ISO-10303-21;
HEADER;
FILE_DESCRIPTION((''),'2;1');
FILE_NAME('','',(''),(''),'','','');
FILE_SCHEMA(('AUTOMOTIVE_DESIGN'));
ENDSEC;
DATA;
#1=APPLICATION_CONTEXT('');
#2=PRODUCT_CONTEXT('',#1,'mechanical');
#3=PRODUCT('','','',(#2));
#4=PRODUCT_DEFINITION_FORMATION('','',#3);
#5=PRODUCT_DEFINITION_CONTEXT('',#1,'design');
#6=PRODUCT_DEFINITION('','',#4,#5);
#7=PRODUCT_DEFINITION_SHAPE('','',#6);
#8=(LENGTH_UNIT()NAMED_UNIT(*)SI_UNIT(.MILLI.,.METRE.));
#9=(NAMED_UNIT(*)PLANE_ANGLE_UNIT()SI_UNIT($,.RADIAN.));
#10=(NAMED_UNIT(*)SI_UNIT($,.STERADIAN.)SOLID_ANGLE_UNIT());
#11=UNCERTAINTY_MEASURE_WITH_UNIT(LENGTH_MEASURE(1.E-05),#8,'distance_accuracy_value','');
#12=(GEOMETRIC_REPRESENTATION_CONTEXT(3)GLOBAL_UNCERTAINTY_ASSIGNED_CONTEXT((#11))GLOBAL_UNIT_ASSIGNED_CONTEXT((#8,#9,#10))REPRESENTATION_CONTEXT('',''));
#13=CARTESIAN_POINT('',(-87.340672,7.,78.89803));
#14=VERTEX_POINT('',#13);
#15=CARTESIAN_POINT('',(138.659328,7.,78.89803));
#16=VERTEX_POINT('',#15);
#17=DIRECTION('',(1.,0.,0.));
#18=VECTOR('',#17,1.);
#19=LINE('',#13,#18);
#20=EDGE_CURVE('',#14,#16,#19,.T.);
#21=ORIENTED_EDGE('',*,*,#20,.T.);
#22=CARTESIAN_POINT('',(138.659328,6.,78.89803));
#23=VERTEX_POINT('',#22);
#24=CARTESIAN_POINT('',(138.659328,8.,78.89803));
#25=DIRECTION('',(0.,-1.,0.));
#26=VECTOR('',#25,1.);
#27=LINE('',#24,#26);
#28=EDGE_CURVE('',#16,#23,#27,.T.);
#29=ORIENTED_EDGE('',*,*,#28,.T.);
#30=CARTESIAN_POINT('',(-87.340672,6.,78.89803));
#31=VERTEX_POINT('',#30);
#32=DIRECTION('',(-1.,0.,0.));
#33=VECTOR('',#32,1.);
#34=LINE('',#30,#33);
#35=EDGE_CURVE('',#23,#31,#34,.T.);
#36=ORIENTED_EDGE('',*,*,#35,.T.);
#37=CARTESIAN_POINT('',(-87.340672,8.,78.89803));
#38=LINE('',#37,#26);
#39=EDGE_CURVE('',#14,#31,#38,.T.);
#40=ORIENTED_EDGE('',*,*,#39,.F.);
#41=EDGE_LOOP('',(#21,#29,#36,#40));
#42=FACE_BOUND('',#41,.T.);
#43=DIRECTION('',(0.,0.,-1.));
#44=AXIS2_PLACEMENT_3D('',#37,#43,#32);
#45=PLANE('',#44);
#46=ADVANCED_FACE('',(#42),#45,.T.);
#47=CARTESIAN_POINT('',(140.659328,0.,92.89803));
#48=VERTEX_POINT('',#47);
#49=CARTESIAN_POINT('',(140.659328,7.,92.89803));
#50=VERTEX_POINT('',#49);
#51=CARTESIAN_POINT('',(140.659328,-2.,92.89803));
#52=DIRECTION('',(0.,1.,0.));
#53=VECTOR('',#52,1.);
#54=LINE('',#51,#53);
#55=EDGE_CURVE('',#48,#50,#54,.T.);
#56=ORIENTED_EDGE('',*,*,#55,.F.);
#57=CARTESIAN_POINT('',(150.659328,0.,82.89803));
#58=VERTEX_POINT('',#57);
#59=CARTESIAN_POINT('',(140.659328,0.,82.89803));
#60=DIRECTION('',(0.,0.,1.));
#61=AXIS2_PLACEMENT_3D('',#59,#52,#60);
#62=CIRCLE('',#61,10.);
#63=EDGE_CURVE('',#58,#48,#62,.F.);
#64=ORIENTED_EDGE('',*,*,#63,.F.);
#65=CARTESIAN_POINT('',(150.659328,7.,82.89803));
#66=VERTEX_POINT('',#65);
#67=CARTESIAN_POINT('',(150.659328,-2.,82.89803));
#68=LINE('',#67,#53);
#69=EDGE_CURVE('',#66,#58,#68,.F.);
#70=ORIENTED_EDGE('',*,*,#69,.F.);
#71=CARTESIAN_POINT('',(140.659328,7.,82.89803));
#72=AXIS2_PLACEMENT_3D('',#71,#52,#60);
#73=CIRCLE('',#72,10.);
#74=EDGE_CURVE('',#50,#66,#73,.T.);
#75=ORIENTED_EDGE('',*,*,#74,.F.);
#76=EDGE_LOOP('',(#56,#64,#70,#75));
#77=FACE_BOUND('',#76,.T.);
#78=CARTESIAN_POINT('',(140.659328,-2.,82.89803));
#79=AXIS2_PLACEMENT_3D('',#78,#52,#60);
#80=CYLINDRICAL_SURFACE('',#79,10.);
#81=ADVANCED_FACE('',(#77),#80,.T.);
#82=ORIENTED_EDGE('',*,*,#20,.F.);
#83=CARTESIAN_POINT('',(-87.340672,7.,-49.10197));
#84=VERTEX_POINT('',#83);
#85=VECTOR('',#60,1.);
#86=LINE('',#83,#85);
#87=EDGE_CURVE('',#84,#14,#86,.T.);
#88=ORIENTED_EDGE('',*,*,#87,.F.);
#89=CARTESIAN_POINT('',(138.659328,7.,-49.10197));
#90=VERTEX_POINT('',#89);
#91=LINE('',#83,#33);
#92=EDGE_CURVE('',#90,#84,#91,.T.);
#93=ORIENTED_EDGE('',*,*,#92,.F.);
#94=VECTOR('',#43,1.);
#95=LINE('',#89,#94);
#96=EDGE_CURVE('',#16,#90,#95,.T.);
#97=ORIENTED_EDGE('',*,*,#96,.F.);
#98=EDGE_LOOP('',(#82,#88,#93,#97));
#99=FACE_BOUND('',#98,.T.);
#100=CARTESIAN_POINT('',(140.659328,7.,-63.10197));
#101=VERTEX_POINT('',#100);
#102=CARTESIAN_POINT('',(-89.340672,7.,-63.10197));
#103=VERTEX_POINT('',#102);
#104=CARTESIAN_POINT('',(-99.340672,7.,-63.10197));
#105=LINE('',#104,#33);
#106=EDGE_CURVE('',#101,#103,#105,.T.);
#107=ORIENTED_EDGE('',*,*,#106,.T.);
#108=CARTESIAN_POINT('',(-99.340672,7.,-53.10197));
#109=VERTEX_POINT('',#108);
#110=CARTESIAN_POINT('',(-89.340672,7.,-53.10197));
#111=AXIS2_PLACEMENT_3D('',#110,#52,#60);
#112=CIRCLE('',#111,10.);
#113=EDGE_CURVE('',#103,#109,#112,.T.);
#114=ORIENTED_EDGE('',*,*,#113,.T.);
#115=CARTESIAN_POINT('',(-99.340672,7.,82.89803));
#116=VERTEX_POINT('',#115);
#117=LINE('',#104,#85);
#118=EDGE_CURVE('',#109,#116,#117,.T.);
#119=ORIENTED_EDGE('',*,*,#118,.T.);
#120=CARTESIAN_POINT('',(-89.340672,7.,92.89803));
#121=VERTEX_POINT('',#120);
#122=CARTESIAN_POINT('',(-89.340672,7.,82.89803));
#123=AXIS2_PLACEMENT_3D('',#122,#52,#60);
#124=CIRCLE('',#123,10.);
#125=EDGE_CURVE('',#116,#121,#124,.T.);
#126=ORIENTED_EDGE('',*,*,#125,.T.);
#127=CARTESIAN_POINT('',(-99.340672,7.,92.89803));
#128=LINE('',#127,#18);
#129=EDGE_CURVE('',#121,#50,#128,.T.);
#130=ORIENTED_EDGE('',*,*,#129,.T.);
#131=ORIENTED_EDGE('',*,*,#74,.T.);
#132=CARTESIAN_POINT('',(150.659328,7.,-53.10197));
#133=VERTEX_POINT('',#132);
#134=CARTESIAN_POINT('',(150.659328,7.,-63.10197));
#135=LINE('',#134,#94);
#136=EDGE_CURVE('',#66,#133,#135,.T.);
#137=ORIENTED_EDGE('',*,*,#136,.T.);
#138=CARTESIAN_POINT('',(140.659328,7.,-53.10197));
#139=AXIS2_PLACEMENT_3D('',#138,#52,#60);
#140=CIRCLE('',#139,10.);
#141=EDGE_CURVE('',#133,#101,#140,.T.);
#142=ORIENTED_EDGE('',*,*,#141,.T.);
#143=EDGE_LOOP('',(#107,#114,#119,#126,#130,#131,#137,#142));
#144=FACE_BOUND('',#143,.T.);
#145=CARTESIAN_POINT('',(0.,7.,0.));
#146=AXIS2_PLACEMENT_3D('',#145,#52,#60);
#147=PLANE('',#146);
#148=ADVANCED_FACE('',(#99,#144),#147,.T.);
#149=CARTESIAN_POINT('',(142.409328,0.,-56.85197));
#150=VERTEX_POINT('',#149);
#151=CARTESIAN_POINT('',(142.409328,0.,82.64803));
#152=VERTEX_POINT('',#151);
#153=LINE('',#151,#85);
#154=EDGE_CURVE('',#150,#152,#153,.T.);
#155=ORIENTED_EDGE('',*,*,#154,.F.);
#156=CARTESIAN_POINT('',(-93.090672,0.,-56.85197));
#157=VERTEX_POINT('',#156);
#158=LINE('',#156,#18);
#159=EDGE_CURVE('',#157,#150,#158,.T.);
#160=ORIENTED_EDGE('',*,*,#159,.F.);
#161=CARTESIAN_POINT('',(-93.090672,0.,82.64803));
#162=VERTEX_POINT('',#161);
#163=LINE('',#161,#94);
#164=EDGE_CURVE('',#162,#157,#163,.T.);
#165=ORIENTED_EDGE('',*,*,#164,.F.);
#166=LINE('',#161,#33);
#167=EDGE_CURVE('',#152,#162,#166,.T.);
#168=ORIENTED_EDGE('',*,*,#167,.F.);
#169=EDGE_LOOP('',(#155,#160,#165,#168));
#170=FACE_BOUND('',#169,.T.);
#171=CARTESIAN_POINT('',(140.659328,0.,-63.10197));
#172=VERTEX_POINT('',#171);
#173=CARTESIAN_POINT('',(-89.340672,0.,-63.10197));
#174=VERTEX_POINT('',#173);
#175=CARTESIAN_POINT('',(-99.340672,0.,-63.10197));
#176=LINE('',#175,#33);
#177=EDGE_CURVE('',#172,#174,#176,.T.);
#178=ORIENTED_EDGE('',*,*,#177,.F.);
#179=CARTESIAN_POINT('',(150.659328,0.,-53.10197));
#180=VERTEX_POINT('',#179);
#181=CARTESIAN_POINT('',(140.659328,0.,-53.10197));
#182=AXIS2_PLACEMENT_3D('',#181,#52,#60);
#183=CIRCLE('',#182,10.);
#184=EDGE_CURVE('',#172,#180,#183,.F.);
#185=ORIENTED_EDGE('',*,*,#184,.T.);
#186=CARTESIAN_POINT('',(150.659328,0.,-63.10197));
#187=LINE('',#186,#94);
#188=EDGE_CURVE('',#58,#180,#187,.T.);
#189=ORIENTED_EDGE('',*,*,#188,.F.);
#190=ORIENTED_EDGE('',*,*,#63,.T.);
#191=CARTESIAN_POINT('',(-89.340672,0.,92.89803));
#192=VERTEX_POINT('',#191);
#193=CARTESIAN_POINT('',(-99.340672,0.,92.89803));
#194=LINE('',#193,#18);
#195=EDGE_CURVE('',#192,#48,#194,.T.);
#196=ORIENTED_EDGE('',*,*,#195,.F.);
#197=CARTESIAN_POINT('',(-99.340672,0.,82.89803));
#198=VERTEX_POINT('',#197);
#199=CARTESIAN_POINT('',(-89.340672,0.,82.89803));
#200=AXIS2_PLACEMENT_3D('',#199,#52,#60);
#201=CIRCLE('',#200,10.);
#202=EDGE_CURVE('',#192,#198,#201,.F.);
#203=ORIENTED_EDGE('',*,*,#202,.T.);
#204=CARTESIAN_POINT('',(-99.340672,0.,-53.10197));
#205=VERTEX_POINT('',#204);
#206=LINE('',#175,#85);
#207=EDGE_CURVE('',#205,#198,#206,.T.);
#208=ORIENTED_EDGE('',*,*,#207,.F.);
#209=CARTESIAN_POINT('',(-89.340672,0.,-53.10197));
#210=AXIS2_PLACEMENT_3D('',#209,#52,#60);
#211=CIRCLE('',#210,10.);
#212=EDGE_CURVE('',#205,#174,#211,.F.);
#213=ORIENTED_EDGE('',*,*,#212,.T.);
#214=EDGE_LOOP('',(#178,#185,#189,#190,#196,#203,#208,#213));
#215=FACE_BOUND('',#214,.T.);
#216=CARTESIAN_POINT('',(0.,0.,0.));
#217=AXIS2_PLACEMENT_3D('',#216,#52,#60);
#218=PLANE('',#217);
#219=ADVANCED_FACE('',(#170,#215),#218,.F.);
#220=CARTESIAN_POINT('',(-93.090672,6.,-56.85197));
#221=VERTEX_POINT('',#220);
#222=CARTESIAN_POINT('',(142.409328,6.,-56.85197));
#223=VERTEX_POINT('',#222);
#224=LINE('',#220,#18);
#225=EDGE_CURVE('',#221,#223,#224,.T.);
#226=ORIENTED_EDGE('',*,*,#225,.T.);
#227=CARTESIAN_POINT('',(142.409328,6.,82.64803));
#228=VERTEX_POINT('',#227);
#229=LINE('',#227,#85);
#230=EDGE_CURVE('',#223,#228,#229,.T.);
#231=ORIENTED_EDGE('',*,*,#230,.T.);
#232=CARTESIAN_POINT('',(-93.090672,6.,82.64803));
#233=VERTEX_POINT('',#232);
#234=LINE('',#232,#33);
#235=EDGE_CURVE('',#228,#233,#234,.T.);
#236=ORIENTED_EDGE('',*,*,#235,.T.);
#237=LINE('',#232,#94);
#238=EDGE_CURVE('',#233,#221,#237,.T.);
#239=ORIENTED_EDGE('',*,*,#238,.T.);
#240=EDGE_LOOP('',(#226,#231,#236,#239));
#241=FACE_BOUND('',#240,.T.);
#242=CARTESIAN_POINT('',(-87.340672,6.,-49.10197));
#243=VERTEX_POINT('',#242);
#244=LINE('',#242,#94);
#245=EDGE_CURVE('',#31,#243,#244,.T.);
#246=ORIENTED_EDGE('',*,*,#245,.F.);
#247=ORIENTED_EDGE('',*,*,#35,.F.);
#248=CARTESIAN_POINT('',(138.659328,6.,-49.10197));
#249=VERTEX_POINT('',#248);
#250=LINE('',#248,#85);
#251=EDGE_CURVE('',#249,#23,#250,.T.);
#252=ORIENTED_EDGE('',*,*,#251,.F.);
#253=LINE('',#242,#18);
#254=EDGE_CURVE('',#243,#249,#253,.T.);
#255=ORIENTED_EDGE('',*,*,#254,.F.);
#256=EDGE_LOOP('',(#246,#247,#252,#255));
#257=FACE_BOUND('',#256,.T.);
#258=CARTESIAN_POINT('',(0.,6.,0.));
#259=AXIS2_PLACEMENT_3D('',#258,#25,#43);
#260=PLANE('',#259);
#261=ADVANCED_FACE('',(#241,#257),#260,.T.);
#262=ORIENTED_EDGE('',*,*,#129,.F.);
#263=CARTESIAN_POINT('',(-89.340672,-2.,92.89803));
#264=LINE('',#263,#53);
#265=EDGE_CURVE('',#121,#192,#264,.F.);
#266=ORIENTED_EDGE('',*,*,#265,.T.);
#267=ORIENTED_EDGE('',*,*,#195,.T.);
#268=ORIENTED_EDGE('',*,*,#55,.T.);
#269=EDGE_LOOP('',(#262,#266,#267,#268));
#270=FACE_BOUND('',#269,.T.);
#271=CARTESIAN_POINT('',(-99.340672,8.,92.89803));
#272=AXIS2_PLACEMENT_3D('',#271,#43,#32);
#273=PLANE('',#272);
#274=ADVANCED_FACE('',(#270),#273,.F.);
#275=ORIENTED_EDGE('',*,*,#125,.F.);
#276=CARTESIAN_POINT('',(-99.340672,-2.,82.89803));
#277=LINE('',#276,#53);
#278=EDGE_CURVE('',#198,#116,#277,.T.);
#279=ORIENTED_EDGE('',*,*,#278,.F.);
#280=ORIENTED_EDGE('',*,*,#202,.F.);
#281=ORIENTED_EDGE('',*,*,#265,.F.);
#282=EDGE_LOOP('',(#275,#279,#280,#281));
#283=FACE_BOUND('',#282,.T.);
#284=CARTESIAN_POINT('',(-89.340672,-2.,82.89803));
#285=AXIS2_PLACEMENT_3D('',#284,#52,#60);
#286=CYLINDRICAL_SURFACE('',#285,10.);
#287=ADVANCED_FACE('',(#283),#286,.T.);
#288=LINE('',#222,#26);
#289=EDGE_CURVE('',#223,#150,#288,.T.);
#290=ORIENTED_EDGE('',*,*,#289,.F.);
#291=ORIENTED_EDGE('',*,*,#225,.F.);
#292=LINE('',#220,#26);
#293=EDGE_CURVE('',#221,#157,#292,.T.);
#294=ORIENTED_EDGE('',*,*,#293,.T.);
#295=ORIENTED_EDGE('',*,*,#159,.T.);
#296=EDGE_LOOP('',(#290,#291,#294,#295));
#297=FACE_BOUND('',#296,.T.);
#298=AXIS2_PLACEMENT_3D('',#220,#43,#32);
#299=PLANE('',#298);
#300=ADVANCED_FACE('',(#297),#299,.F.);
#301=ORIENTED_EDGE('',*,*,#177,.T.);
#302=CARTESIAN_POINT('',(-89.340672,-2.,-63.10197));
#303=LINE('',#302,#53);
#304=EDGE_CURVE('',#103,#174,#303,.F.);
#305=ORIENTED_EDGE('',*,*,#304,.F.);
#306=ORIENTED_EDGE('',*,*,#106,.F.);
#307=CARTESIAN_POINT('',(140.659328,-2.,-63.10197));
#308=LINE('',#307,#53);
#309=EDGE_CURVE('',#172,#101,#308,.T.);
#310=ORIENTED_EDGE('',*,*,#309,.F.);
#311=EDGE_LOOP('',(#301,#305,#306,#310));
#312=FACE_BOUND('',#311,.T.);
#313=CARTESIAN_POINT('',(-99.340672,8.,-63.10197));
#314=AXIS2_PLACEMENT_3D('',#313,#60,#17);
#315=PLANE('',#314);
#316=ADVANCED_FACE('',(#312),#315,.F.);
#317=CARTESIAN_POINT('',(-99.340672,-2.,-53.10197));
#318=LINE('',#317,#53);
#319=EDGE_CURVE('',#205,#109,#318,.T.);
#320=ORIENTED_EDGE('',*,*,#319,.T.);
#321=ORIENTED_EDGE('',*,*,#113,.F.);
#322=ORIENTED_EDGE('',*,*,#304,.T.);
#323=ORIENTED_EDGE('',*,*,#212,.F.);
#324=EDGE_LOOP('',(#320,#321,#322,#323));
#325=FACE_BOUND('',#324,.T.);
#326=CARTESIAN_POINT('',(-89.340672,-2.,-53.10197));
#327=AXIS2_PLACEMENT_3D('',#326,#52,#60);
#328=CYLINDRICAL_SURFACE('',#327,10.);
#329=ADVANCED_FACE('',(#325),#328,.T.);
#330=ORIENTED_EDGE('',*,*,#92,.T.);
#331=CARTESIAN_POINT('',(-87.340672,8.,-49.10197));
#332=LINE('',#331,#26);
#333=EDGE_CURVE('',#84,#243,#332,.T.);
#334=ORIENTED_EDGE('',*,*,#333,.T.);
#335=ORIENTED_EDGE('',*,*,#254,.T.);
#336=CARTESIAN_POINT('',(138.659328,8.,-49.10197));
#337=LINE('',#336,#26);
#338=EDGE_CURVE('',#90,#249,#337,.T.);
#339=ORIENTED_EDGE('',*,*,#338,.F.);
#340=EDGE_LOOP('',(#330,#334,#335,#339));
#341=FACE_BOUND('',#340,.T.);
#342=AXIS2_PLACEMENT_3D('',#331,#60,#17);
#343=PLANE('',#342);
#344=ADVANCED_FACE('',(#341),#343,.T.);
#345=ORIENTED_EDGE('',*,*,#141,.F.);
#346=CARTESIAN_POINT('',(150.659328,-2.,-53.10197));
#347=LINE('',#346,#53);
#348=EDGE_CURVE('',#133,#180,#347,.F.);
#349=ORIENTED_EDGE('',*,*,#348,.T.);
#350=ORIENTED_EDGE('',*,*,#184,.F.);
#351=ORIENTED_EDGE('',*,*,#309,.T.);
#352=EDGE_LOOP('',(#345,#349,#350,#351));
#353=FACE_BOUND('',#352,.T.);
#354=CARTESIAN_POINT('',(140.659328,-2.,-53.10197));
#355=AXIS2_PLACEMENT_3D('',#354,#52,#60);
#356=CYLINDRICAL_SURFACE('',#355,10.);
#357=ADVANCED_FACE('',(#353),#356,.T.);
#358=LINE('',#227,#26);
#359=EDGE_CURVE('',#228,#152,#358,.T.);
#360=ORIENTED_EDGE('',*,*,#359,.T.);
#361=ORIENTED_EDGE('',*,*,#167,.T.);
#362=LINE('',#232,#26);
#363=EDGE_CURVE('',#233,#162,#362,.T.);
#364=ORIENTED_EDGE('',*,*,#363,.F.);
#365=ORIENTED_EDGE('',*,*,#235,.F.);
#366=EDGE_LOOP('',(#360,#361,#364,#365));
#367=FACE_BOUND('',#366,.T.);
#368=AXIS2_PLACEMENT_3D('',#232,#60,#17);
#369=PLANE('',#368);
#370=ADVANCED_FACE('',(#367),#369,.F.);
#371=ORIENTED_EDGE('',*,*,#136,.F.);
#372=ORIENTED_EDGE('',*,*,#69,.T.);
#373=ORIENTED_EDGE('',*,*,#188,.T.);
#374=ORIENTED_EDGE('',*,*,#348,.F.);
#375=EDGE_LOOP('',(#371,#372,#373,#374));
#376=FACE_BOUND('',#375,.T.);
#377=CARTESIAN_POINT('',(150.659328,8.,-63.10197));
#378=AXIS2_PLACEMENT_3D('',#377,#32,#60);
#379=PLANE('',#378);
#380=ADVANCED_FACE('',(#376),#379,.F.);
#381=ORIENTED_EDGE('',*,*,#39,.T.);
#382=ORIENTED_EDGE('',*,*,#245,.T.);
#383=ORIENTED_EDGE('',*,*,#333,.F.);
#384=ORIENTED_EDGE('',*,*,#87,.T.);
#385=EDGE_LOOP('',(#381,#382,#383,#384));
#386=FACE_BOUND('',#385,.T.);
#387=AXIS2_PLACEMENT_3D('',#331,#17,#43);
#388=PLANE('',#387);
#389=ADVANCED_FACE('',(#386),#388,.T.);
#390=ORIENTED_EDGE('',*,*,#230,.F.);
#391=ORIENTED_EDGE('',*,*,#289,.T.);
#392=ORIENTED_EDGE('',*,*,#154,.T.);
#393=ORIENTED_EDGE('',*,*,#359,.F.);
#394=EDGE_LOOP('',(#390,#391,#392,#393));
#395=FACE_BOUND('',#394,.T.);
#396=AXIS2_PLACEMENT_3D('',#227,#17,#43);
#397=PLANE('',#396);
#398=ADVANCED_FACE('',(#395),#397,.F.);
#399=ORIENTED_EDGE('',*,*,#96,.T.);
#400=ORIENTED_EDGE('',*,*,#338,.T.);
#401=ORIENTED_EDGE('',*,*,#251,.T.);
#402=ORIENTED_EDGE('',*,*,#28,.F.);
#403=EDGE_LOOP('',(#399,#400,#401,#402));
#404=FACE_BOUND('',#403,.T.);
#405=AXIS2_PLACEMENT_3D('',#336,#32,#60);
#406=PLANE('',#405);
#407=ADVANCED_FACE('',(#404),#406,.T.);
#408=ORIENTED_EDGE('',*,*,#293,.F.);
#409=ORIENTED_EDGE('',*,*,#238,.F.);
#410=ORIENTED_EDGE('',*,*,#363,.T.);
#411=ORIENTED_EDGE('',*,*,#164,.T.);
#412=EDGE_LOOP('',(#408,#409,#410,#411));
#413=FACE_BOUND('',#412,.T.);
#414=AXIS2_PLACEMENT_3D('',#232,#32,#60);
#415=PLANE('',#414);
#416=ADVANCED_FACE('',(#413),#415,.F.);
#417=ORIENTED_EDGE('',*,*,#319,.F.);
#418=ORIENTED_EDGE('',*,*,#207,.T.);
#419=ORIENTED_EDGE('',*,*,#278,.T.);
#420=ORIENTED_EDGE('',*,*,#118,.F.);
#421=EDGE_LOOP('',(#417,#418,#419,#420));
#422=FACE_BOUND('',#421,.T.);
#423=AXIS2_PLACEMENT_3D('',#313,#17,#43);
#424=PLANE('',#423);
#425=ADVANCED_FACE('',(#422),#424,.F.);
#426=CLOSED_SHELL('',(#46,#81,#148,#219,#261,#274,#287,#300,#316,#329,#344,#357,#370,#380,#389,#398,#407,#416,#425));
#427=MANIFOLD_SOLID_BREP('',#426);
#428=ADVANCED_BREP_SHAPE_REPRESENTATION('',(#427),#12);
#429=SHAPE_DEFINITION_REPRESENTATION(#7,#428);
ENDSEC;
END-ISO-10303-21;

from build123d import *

# Parameters (mm, degrees)
SKETCH_1_W          = 250
SKETCH_1_H          = 156
SKETCH_1_W_2        = 226
SKETCH_1_H_2        = 128
EXTRUDE_1_DEPTH     = 8
SKETCH_2_W          = 235.5
SKETCH_2_H          = 139.5
CUT_EXTRUDE_3_DEPTH = 6
CUT_EXTRUDE_4_DEPTH = 10
CUT_EXTRUDE_5_DEPTH = 10
SKETCH_6_W          = 250
SKETCH_6_H          = 156
CUT_EXTRUDE_6_DEPTH = 1


with BuildPart() as part:
    # 草图1 → 凸台-拉伸1 (new body)
    with BuildSketch(Plane(origin=(0, 0, 0), x_dir=(1, 0, 0), z_dir=(0, 1, 0))):
        with Locations((25.659327926, -14.898030127)):
            Rectangle(SKETCH_1_W, SKETCH_1_H)
        with Locations((25.659327926, -14.898030127)):
            Rectangle(SKETCH_1_W_2, SKETCH_1_H_2, mode=Mode.SUBTRACT)
    extrude(amount=EXTRUDE_1_DEPTH)

    # 草图2 → 切除-拉伸3 (cut)
    with BuildSketch(Plane.XZ):
        with Locations((24.659327926, 12.898030127)):
            Rectangle(SKETCH_2_W, SKETCH_2_H)
    extrude(amount=-CUT_EXTRUDE_3_DEPTH, mode=Mode.SUBTRACT)

    # 草图3 → 切除-拉伸4 (cut)
    with BuildSketch(Plane(origin=(0, 8, 0), x_dir=(1, 0, 0), z_dir=(0, 1, 0))):
        with BuildLine():
            Line((-89.340672074, 63.101969873), (-99.340672074, 63.101969873))
            Line((-99.340672074, 63.101969873), (-99.340672074, 53.101969873))
            ThreePointArc((-99.340672074, 53.101969873), (-96.411739886, 60.173037684), (-89.340672074, 63.101969873))
        make_face()
    extrude(amount=-CUT_EXTRUDE_4_DEPTH, mode=Mode.SUBTRACT)

    # 草图4 → 切除-拉伸5 (cut)
    with BuildSketch(Plane(origin=(0, 8, 0), x_dir=(1, 0, 0), z_dir=(0, 1, 0))):
        with BuildLine():
            Line((-99.340672074, -82.898030127), (-99.340672074, -92.898030127))
            Line((-99.340672074, -92.898030127), (-89.340672074, -92.898030127))
            ThreePointArc((-89.340672074, -92.898030127), (-96.411739886, -89.969097939), (-99.340672074, -82.898030127))
        make_face()
        with BuildLine():
            Line((150.659327926, -82.898030127), (150.659327926, -92.898030127))
            Line((150.659327926, -92.898030127), (140.659327926, -92.898030127))
            ThreePointArc((140.659327926, -92.898030127), (147.730395738, -89.969097939), (150.659327926, -82.898030127))
        make_face()
        with BuildLine():
            Line((140.659327926, 63.101969873), (150.659327926, 63.101969873))
            Line((150.659327926, 63.101969873), (150.659327926, 53.101969873))
            ThreePointArc((150.659327926, 53.101969873), (147.730395738, 60.173037684), (140.659327926, 63.101969873))
        make_face()
    extrude(amount=-CUT_EXTRUDE_5_DEPTH, mode=Mode.SUBTRACT)

    # 草图6 → 切除-拉伸6 (cut)
    with BuildSketch(Plane(origin=(0, 8, 0), x_dir=(1, 0, 0), z_dir=(0, 1, 0))):
        with Locations((25.659327926, -14.898030127)):
            Rectangle(SKETCH_6_W, SKETCH_6_H)
    extrude(amount=-CUT_EXTRUDE_6_DEPTH, mode=Mode.SUBTRACT)


solid = part.part
